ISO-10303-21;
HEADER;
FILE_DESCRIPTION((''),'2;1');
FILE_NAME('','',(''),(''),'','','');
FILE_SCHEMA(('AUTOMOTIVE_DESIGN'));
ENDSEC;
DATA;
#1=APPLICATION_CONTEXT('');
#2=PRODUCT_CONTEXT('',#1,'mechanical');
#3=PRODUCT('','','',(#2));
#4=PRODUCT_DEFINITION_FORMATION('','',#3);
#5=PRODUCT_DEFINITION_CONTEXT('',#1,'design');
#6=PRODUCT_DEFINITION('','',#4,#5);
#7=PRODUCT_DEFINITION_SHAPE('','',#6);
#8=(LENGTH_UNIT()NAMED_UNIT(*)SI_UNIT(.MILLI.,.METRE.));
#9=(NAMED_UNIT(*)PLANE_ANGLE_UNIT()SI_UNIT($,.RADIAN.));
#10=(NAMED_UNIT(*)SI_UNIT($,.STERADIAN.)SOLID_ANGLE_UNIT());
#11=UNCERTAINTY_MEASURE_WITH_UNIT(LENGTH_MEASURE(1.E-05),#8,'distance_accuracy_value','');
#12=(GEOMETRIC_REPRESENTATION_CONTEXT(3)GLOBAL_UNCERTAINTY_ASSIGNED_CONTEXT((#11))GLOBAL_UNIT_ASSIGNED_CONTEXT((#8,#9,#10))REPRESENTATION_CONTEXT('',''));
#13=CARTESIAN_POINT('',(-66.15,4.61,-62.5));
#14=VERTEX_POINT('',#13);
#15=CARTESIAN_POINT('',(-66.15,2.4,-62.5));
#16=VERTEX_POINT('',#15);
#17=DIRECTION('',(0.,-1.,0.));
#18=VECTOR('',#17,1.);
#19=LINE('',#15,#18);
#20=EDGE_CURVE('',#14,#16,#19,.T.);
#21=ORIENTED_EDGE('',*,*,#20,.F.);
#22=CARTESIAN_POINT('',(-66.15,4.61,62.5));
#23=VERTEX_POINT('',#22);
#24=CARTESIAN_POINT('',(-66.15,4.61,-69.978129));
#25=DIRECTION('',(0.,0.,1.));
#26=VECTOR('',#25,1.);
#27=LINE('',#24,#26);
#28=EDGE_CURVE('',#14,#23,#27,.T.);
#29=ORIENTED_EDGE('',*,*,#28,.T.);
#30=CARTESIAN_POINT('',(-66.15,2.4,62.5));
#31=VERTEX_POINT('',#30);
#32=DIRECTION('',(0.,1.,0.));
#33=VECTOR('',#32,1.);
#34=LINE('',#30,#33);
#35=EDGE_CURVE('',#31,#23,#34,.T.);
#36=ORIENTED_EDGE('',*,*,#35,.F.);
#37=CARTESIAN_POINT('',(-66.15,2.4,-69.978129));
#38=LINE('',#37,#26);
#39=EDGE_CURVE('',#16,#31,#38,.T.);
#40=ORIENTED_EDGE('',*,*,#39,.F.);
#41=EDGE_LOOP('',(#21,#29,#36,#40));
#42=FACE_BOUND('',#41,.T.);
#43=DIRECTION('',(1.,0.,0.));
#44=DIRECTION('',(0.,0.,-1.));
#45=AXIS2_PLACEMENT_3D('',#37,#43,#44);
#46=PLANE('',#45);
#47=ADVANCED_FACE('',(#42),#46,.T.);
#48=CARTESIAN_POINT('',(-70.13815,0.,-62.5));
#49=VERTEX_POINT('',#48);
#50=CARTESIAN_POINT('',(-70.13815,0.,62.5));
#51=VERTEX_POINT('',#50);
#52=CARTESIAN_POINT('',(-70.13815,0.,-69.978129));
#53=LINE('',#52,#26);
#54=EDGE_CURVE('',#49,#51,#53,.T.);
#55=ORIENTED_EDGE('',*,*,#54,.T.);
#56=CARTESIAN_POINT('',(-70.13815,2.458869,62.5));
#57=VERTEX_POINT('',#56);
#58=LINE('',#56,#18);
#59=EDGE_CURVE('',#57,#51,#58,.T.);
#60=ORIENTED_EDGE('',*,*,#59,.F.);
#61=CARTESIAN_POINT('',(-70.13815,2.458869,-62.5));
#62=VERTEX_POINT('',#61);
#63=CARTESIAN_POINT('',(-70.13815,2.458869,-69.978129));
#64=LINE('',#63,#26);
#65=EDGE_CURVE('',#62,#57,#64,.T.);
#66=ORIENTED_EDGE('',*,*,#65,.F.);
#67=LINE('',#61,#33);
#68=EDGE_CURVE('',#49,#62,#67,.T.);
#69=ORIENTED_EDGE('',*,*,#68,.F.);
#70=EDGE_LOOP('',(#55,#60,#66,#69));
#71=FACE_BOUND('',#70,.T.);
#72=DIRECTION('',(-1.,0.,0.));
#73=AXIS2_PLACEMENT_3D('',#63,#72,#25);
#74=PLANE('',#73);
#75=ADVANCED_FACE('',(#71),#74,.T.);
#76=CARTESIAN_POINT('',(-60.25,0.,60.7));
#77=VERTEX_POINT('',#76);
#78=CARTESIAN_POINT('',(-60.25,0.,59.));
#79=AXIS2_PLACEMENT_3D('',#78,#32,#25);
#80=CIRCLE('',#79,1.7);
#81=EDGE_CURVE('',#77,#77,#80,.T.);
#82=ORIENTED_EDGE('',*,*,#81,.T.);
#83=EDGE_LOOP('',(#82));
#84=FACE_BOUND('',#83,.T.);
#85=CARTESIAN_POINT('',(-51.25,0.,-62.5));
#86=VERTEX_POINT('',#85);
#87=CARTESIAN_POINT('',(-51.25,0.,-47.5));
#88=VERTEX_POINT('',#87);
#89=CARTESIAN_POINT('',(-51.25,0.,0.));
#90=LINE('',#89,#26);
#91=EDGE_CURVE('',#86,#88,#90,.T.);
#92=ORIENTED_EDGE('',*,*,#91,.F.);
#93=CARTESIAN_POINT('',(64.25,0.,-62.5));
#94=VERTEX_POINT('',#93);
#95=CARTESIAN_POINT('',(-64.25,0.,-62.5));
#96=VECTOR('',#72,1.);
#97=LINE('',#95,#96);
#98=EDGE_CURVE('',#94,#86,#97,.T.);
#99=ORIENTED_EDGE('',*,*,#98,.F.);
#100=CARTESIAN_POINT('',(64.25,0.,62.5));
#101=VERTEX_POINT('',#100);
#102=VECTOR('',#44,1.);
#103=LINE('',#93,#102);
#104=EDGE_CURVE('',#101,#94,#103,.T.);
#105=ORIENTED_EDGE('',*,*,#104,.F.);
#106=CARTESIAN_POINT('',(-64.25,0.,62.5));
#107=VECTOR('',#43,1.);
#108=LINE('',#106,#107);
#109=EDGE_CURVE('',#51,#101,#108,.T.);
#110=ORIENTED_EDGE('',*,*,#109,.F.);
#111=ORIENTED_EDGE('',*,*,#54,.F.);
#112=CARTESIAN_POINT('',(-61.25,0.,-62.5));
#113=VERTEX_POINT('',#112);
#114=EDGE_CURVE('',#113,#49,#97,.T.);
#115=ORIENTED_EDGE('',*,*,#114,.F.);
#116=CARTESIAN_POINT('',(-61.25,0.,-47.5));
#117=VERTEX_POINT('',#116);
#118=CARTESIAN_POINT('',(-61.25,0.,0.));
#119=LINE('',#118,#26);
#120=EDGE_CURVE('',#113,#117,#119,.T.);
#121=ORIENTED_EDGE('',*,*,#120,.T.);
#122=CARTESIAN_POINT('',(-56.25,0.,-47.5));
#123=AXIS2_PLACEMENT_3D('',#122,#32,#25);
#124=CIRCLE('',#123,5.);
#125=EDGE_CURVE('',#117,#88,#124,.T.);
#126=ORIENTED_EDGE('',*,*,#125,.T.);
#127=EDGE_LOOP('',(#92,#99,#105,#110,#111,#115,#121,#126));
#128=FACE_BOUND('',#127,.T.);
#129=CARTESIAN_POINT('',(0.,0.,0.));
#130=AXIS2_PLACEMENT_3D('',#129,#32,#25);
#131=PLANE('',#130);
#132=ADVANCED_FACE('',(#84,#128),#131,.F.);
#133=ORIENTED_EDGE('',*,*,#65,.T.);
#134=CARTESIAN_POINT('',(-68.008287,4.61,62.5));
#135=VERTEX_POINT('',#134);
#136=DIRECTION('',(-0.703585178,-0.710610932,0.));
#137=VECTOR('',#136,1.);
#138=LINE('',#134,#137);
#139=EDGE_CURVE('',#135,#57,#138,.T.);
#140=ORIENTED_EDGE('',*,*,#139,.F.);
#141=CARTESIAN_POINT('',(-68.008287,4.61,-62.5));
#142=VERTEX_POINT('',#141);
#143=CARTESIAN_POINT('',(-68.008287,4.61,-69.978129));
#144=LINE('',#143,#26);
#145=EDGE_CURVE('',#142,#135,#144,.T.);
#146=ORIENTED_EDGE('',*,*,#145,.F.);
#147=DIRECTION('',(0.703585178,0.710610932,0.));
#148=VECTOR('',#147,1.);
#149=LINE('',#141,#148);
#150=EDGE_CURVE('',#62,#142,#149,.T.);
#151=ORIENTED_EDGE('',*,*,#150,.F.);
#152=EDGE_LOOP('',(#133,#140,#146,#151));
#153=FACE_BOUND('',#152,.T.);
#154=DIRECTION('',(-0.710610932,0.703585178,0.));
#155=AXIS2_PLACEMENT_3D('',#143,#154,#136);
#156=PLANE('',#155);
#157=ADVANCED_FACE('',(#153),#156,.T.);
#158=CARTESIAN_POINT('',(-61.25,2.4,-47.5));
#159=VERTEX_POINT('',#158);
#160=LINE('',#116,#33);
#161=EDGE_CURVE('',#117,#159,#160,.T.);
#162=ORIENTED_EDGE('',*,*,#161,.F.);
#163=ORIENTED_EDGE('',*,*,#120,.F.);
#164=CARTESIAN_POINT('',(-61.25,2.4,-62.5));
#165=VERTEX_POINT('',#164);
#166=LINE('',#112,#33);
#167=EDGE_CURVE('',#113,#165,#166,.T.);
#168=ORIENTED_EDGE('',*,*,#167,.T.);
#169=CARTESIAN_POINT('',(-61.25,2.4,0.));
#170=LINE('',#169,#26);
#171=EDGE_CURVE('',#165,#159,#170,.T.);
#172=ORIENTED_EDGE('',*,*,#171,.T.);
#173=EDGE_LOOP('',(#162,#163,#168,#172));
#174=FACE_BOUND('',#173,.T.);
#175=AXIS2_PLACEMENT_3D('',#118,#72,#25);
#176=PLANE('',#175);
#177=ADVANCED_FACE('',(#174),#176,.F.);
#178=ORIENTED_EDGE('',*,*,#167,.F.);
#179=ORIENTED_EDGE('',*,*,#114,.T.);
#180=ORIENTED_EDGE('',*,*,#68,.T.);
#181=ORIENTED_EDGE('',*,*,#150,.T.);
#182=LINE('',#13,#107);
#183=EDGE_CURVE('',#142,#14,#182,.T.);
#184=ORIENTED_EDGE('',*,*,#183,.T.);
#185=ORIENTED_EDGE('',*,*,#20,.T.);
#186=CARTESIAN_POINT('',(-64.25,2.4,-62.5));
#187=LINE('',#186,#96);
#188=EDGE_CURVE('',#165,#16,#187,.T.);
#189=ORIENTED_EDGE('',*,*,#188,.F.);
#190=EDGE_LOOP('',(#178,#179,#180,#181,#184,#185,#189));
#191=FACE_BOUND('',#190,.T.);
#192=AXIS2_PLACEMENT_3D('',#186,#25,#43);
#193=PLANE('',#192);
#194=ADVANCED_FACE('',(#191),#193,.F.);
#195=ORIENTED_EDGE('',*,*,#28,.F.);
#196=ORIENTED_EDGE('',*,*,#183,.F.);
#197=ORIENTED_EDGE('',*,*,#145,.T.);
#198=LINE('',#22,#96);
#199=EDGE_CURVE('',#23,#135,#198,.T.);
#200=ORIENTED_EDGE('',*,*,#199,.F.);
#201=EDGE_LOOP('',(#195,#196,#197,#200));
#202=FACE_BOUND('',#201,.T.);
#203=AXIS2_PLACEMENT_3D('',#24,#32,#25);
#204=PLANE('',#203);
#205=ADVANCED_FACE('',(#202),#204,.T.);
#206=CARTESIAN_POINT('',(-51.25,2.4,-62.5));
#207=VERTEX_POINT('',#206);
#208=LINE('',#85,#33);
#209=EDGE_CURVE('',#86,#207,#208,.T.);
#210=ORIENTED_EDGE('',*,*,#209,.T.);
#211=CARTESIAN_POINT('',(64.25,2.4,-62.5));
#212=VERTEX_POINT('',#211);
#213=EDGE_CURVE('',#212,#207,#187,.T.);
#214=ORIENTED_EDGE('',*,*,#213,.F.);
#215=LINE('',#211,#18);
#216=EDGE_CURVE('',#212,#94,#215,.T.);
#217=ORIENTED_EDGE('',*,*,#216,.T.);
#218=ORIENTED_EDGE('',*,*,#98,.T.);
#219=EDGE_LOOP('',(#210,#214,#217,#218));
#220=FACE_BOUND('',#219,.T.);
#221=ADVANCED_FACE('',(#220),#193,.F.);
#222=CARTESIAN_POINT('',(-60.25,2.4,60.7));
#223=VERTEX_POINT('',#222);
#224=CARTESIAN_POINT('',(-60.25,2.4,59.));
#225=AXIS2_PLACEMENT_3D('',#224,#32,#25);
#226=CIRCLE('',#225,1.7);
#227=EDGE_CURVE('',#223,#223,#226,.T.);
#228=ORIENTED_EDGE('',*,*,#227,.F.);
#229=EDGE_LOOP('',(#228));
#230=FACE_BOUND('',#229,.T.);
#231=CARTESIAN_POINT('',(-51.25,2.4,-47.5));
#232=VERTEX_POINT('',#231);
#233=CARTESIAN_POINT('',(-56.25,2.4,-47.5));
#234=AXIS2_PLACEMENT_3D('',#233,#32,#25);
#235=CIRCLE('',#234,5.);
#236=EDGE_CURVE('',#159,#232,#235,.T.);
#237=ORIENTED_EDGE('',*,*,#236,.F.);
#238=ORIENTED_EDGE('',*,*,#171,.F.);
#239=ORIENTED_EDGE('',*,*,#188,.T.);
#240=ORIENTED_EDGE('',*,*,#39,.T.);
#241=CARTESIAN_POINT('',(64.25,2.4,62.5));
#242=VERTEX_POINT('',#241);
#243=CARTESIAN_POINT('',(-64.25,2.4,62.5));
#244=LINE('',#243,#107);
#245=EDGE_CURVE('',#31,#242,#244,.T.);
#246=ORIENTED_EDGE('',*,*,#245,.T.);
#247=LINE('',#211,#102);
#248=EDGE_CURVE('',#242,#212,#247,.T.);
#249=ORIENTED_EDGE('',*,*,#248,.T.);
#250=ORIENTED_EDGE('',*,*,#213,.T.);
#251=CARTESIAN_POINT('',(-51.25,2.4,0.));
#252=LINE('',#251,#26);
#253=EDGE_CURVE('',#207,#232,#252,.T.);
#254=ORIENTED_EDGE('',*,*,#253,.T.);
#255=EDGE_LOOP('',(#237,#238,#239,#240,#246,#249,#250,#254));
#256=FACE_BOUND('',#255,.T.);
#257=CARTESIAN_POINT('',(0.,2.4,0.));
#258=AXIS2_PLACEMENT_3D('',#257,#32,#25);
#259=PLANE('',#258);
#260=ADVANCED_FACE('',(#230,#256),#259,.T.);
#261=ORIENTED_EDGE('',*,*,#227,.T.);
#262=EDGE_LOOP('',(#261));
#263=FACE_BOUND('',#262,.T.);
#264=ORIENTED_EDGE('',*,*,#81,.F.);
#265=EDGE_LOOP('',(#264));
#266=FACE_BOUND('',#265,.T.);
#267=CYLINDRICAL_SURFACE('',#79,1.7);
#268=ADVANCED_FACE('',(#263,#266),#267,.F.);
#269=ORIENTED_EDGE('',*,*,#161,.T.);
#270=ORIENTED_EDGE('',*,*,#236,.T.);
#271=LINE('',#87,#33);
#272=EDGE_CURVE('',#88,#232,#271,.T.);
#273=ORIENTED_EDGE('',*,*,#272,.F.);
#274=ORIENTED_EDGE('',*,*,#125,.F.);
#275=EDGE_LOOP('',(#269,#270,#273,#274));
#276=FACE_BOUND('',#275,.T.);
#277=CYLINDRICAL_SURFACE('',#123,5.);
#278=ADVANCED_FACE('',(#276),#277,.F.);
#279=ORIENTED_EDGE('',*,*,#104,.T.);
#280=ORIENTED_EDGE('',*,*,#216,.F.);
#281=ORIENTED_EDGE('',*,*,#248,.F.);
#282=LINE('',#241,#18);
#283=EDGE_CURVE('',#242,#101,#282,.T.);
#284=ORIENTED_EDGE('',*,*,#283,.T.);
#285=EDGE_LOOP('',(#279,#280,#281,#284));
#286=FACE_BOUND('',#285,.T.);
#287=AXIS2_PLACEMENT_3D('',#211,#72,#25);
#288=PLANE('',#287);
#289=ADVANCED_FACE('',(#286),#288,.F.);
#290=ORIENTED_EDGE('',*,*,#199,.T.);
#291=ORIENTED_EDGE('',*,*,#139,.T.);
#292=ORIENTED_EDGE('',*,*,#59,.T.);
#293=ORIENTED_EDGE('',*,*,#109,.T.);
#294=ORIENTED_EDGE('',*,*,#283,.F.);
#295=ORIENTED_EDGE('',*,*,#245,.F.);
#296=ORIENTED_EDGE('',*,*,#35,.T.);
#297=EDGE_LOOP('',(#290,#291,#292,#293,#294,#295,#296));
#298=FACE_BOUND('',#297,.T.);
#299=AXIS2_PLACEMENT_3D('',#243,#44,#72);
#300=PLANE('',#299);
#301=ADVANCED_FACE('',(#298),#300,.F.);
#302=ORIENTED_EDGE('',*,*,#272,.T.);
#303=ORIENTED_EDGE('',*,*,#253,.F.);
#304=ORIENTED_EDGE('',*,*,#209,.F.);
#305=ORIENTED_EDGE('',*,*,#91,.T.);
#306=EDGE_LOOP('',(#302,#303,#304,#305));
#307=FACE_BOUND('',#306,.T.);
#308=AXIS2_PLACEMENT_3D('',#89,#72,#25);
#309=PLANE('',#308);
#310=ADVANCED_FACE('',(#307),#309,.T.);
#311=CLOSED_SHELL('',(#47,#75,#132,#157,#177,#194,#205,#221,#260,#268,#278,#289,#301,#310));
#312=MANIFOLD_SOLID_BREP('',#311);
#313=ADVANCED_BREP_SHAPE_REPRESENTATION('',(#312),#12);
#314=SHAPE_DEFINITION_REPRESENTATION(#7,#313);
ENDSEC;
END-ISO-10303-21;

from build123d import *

# Parameters (mm, degrees)
SKETCH1_W           = 128.5
SKETCH1_H           = 125
BOSS_EXTRUDE1_DEPTH = 2.4
BOSS_EXTRUDE2_DEPTH = 125
CUT_EXTRUDE2_DEPTH  = 94.975369496
SKETCH6_R           = 1.7
CUT_EXTRUDE3_DEPTH  = 94.975369496


with BuildPart() as part:
    # Sketch1 → Boss-Extrude1 (new body)
    with BuildSketch(Plane(origin=(0, 0, 0), x_dir=(1, 0, 0), z_dir=(0, 1, 0))):
        Rectangle(SKETCH1_W, SKETCH1_H)
    extrude(amount=BOSS_EXTRUDE1_DEPTH)

    # Sketch3 → Boss-Extrude2 (add)
    with BuildSketch(Plane.XY.offset(62.5)):
        Polygon((-64.25, 2.4), (-66.05, 2.4), (-66.15, 2.4), (-66.15, 4.61), (-68.008287326, 4.61), (-70.138149903, 2.458869363), (-70.138149903, 0), (-64.25, 0), align=None)
    extrude(amount=-BOSS_EXTRUDE2_DEPTH)

    # Sketch5 → Cut-Extrude2 (cut, through all)
    with BuildSketch(Plane(origin=(0, 2.4, 0), x_dir=(1, 0, 0), z_dir=(0, 1, 0))):
        with BuildLine():
            Line((-51.25, 47.5), (-51.25, 62.5))
            Line((-51.25, 62.5), (-61.25, 62.5))
            Line((-61.25, 62.5), (-61.25, 47.5))
            ThreePointArc((-61.25, 47.5), (-56.25, 42.5), (-51.25, 47.5))
        make_face()
        with BuildLine():
            Line((-61.25, 62.5), (-51.25, 62.5))
            ThreePointArc((-51.25, 62.5), (-56.25, 67.5), (-61.25, 62.5))
        make_face()
    extrude(amount=-CUT_EXTRUDE2_DEPTH, mode=Mode.SUBTRACT)

    # Sketch6 → Cut-Extrude3 (cut, through all)
    with BuildSketch(Plane(origin=(0, 2.4, 0), x_dir=(1, 0, 0), z_dir=(0, 1, 0))):
        with Locations(Location((-60.25, -59, 0), (0, 0, 270))):
            Circle(SKETCH6_R)
    extrude(amount=-CUT_EXTRUDE3_DEPTH, mode=Mode.SUBTRACT)


solid = part.part
